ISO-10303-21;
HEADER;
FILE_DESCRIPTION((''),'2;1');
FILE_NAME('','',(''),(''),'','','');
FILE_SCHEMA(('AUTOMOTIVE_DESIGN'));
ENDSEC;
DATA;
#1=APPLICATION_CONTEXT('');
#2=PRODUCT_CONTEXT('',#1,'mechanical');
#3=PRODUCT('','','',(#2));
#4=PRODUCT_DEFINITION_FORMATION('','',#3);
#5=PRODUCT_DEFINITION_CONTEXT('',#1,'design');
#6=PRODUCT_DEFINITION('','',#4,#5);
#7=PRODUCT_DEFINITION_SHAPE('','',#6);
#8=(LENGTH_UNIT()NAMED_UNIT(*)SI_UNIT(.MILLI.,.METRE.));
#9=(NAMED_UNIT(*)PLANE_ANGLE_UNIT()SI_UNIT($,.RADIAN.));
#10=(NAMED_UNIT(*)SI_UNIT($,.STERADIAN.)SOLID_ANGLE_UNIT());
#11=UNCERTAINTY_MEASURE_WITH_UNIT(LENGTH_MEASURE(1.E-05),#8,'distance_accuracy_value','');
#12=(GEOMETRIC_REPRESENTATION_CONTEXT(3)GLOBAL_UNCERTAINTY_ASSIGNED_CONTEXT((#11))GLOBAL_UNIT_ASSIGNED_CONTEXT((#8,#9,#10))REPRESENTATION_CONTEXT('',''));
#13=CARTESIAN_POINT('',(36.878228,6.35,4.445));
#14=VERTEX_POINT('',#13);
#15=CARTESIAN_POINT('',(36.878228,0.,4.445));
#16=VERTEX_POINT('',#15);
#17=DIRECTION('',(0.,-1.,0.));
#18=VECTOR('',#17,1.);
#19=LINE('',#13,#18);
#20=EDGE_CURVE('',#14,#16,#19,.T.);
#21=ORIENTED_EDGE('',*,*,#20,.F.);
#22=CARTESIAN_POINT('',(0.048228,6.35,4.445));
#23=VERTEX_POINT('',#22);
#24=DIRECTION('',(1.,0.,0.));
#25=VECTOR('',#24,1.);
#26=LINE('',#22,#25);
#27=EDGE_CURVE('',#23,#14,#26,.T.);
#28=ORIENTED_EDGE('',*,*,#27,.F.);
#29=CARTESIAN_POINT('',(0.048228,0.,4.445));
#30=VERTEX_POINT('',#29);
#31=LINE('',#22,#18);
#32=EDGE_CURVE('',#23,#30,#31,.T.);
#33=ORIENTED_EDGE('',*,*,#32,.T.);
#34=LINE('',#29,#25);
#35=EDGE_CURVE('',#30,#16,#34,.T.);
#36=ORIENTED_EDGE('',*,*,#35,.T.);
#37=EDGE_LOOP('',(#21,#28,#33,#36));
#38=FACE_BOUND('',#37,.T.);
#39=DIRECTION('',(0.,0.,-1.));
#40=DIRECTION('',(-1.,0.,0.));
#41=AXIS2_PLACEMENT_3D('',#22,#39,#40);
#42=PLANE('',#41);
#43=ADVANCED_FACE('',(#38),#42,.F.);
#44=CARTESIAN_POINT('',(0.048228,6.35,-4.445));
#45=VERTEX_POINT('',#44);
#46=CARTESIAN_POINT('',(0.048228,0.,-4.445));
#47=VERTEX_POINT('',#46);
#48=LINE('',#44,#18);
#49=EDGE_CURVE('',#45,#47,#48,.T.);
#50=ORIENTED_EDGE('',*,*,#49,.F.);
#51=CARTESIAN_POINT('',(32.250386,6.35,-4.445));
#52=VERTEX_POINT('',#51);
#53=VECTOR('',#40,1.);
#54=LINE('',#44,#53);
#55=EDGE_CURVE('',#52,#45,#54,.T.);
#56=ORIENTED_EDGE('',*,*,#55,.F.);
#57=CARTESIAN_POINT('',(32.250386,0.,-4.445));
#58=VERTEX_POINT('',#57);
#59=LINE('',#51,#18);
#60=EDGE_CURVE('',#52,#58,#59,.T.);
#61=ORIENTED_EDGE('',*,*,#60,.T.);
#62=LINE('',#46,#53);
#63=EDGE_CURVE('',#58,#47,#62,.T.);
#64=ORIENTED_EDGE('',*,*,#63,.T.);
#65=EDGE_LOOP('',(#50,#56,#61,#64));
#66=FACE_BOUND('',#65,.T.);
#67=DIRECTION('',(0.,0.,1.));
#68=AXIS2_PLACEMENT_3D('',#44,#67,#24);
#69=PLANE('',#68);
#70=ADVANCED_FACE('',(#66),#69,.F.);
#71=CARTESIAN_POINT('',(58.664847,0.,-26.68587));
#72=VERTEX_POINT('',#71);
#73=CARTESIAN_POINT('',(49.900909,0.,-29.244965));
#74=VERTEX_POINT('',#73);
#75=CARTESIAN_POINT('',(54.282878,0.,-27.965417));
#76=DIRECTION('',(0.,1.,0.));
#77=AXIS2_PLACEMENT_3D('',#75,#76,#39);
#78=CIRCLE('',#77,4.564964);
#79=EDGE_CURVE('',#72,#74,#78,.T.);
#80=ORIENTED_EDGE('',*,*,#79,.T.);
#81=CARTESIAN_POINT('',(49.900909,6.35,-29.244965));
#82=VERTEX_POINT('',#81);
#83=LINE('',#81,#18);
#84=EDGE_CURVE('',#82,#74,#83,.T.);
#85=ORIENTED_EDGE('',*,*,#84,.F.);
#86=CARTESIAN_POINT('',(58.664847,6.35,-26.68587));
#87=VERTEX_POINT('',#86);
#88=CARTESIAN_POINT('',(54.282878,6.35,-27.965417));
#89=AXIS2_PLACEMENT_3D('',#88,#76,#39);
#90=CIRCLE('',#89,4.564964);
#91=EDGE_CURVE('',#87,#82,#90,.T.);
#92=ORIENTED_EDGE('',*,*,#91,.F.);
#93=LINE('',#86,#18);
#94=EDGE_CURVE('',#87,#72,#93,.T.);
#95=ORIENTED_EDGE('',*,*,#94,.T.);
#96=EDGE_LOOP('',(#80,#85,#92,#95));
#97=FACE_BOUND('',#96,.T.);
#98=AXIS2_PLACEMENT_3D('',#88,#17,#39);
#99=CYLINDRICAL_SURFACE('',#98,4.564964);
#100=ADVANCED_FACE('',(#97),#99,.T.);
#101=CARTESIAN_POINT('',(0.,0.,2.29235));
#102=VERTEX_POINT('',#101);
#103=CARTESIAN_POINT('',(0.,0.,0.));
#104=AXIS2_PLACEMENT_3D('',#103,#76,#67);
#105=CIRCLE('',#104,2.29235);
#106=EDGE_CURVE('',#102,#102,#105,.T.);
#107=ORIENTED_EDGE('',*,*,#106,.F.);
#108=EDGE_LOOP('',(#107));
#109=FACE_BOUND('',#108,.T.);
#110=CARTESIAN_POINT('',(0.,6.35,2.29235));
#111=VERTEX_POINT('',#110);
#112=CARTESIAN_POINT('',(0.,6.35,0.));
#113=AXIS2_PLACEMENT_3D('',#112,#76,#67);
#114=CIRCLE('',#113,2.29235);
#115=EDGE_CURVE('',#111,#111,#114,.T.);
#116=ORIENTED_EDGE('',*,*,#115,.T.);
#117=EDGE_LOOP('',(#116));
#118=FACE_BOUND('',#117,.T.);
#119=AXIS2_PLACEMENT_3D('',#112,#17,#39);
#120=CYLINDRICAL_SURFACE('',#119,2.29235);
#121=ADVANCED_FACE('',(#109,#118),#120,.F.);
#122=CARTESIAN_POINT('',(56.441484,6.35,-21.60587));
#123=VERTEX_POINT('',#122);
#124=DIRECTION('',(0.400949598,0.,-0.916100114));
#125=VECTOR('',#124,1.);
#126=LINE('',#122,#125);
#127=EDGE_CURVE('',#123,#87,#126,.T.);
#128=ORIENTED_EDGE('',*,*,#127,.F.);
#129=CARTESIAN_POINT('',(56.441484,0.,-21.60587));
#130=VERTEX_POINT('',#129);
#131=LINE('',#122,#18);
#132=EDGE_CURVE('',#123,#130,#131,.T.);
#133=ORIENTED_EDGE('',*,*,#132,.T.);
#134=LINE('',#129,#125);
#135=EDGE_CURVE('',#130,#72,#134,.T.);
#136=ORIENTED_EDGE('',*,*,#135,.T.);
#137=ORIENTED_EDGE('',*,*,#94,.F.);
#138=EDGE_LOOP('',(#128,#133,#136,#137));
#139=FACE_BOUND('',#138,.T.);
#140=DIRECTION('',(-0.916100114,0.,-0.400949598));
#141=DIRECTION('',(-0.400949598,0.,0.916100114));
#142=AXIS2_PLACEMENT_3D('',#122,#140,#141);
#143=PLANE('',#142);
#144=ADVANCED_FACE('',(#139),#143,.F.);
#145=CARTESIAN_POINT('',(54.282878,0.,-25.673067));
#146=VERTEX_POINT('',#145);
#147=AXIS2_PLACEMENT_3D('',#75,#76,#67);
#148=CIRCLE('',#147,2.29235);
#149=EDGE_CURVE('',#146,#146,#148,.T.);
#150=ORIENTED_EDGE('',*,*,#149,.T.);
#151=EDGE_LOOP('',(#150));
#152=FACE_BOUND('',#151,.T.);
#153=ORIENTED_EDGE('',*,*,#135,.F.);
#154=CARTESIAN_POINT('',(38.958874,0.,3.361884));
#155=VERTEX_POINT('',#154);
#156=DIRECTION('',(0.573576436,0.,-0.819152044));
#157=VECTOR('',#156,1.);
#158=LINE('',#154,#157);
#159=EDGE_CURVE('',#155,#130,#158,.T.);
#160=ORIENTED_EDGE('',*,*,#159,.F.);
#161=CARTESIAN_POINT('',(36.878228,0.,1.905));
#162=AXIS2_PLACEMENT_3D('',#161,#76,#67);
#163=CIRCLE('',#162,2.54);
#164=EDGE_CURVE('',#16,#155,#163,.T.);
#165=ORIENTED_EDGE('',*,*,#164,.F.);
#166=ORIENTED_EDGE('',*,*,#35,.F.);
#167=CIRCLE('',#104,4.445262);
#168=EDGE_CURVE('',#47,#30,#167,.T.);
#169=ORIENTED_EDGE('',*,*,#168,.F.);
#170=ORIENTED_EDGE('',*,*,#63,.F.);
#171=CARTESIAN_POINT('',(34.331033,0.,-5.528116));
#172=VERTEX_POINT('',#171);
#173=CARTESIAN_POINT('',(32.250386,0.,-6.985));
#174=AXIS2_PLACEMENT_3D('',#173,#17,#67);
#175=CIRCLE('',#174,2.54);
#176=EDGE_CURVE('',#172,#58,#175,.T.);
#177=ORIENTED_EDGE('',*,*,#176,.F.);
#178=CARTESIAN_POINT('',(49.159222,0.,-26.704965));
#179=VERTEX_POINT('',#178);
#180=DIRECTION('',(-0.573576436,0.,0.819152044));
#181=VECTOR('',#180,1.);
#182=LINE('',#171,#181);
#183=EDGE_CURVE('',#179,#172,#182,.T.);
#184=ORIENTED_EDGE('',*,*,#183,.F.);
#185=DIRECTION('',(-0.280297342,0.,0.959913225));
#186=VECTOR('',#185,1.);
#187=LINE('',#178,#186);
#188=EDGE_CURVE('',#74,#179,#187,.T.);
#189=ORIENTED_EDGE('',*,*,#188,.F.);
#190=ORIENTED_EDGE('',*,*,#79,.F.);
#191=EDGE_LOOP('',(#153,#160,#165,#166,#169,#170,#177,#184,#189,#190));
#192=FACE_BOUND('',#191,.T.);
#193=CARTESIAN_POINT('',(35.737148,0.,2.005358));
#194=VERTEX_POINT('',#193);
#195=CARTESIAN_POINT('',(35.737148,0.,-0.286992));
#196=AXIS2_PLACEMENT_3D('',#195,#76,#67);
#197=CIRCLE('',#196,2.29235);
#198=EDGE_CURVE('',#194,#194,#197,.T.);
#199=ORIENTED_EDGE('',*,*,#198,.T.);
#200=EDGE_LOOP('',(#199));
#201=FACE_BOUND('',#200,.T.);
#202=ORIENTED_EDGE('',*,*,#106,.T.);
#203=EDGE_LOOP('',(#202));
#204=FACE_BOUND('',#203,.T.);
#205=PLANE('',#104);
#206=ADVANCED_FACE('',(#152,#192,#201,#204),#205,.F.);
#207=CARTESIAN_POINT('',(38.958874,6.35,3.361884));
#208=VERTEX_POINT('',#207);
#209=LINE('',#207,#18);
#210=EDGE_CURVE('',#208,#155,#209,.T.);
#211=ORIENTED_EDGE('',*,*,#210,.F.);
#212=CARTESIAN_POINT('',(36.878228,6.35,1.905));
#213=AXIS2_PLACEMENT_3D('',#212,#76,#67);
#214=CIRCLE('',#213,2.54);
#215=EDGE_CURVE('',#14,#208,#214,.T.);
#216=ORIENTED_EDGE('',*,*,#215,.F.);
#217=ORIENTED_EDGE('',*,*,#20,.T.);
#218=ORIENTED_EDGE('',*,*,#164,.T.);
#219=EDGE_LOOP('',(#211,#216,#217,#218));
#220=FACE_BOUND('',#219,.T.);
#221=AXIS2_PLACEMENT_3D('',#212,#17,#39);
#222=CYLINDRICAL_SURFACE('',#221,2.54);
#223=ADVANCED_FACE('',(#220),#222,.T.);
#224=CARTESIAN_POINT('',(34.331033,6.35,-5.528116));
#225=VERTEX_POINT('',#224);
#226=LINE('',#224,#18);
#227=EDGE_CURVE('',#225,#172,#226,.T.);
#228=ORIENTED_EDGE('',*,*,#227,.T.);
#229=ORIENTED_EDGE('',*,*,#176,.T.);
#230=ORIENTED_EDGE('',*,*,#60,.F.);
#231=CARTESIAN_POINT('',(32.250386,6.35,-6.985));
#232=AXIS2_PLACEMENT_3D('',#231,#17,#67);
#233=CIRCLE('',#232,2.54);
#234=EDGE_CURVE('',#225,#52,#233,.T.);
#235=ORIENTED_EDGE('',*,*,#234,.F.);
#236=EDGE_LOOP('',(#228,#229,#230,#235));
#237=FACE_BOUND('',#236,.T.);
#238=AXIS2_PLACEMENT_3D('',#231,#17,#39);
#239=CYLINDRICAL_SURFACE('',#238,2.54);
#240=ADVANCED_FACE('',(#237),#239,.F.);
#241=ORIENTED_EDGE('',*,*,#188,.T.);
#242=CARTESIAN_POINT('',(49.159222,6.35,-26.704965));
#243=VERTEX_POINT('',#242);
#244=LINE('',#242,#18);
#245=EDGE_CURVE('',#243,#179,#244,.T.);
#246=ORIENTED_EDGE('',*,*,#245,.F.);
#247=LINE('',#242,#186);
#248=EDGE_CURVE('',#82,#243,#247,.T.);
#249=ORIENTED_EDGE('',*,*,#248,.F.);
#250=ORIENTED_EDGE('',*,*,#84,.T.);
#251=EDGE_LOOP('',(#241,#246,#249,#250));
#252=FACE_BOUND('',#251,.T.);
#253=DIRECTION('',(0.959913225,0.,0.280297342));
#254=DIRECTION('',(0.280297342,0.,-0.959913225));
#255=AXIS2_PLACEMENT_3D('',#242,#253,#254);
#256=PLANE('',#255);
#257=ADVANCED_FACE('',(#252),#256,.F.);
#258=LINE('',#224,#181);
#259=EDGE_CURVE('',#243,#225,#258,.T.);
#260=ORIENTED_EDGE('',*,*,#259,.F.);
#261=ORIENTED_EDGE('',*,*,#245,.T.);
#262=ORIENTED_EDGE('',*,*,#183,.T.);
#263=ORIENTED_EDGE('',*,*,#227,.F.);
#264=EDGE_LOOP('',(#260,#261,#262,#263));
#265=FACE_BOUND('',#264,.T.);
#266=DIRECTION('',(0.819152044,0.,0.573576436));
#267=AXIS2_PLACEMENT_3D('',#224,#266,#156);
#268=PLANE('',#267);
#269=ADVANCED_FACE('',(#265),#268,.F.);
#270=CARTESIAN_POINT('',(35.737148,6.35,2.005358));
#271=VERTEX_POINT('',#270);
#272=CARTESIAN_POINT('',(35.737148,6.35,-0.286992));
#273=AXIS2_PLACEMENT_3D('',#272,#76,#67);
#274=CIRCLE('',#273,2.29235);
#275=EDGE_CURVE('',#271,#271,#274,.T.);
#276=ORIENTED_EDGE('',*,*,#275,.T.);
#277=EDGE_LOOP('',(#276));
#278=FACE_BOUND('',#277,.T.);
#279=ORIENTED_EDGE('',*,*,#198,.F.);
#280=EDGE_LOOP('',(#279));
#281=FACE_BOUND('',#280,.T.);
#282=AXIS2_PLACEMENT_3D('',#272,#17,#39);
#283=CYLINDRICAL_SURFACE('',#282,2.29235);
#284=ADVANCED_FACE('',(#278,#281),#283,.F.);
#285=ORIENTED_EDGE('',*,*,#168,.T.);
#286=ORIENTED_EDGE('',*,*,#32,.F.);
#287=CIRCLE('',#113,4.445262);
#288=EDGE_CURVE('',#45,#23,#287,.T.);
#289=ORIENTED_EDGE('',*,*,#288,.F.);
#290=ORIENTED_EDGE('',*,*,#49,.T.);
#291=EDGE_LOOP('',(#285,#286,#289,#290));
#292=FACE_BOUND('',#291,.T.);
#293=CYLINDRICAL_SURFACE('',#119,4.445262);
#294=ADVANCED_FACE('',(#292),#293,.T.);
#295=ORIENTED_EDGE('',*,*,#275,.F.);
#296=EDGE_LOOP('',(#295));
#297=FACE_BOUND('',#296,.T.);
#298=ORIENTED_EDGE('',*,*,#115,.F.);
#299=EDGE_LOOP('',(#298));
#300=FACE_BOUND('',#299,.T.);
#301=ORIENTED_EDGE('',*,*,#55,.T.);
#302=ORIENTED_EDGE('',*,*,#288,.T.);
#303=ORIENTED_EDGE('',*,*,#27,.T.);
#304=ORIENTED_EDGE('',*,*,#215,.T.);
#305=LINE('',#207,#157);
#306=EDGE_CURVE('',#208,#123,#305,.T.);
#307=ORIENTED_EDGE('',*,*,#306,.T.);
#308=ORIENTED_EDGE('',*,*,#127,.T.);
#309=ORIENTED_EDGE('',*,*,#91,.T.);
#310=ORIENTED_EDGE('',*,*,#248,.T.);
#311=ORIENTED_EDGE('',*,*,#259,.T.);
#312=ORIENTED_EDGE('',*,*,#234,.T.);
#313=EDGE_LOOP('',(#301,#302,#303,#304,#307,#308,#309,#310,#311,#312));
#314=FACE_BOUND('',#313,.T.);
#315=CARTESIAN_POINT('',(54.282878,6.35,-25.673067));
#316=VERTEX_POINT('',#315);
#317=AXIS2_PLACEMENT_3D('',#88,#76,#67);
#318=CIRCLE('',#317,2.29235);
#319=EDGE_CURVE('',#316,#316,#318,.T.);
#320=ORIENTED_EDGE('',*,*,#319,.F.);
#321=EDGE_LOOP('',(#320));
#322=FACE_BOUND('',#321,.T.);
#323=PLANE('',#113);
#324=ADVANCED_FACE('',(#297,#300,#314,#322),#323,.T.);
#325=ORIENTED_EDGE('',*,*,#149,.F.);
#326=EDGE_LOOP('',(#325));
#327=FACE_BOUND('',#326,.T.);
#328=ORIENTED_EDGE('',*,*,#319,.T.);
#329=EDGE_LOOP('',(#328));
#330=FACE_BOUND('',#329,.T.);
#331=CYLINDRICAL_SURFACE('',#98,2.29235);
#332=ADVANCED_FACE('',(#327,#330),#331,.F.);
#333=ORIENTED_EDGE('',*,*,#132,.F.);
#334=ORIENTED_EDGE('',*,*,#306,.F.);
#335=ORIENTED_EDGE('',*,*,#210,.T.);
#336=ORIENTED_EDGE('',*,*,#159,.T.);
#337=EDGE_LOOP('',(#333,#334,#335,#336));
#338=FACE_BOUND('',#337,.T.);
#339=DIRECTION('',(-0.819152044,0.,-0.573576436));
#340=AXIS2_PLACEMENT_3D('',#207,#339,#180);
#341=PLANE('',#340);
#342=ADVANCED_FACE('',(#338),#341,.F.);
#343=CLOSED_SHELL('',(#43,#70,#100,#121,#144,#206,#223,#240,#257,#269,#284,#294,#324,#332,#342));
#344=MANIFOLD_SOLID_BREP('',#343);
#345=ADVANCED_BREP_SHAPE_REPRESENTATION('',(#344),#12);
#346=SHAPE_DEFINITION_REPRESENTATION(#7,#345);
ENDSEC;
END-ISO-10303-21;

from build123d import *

# Parameters (mm, degrees)
SKETCH1_R           = 2.29235
BOSS_EXTRUDE1_DEPTH = 6.35


with BuildPart() as part:
    # Sketch1 → Boss-Extrude1 (new body)
    with BuildSketch(Plane(origin=(0, 0, 0), x_dir=(1, 0, 0), z_dir=(0, 1, 0))):
        with BuildLine():
            Line((0.048227533, 4.445), (32.250386453, 4.445))
            ThreePointArc((32.250386453, 4.445), (33.423227931, 4.731992484), (34.331032646, 5.528115852))
            Line((34.331032646, 5.528115852), (49.159221832, 26.704964681))
            Line((49.159221832, 26.704964681), (49.900908924, 29.244964681))
            ThreePointArc((49.900908924, 29.244964681), (55.562425443, 32.347386681), (58.664847444, 26.685870162))
            Line((58.664847444, 26.685870162), (56.441483505, 21.605870162))
            Line((56.441483505, 21.605870162), (38.958873725, -3.361884148))
            ThreePointArc((38.958873725, -3.361884148), (38.05106901, -4.158007516), (36.878227533, -4.445))
            Line((36.878227533, -4.445), (0.048227533, -4.445))
            ThreePointArc((0.048227533, -4.445), (-4.445261623, 0), (0.048227533, 4.445))
        make_face()
        Circle(SKETCH1_R, mode=Mode.SUBTRACT)
        with Locations((35.737148471, 0.286992484)):
            Circle(SKETCH1_R, mode=Mode.SUBTRACT)
        with Locations((54.282878184, 27.965417421)):
            Circle(SKETCH1_R, mode=Mode.SUBTRACT)
    extrude(amount=BOSS_EXTRUDE1_DEPTH)


solid = part.part
